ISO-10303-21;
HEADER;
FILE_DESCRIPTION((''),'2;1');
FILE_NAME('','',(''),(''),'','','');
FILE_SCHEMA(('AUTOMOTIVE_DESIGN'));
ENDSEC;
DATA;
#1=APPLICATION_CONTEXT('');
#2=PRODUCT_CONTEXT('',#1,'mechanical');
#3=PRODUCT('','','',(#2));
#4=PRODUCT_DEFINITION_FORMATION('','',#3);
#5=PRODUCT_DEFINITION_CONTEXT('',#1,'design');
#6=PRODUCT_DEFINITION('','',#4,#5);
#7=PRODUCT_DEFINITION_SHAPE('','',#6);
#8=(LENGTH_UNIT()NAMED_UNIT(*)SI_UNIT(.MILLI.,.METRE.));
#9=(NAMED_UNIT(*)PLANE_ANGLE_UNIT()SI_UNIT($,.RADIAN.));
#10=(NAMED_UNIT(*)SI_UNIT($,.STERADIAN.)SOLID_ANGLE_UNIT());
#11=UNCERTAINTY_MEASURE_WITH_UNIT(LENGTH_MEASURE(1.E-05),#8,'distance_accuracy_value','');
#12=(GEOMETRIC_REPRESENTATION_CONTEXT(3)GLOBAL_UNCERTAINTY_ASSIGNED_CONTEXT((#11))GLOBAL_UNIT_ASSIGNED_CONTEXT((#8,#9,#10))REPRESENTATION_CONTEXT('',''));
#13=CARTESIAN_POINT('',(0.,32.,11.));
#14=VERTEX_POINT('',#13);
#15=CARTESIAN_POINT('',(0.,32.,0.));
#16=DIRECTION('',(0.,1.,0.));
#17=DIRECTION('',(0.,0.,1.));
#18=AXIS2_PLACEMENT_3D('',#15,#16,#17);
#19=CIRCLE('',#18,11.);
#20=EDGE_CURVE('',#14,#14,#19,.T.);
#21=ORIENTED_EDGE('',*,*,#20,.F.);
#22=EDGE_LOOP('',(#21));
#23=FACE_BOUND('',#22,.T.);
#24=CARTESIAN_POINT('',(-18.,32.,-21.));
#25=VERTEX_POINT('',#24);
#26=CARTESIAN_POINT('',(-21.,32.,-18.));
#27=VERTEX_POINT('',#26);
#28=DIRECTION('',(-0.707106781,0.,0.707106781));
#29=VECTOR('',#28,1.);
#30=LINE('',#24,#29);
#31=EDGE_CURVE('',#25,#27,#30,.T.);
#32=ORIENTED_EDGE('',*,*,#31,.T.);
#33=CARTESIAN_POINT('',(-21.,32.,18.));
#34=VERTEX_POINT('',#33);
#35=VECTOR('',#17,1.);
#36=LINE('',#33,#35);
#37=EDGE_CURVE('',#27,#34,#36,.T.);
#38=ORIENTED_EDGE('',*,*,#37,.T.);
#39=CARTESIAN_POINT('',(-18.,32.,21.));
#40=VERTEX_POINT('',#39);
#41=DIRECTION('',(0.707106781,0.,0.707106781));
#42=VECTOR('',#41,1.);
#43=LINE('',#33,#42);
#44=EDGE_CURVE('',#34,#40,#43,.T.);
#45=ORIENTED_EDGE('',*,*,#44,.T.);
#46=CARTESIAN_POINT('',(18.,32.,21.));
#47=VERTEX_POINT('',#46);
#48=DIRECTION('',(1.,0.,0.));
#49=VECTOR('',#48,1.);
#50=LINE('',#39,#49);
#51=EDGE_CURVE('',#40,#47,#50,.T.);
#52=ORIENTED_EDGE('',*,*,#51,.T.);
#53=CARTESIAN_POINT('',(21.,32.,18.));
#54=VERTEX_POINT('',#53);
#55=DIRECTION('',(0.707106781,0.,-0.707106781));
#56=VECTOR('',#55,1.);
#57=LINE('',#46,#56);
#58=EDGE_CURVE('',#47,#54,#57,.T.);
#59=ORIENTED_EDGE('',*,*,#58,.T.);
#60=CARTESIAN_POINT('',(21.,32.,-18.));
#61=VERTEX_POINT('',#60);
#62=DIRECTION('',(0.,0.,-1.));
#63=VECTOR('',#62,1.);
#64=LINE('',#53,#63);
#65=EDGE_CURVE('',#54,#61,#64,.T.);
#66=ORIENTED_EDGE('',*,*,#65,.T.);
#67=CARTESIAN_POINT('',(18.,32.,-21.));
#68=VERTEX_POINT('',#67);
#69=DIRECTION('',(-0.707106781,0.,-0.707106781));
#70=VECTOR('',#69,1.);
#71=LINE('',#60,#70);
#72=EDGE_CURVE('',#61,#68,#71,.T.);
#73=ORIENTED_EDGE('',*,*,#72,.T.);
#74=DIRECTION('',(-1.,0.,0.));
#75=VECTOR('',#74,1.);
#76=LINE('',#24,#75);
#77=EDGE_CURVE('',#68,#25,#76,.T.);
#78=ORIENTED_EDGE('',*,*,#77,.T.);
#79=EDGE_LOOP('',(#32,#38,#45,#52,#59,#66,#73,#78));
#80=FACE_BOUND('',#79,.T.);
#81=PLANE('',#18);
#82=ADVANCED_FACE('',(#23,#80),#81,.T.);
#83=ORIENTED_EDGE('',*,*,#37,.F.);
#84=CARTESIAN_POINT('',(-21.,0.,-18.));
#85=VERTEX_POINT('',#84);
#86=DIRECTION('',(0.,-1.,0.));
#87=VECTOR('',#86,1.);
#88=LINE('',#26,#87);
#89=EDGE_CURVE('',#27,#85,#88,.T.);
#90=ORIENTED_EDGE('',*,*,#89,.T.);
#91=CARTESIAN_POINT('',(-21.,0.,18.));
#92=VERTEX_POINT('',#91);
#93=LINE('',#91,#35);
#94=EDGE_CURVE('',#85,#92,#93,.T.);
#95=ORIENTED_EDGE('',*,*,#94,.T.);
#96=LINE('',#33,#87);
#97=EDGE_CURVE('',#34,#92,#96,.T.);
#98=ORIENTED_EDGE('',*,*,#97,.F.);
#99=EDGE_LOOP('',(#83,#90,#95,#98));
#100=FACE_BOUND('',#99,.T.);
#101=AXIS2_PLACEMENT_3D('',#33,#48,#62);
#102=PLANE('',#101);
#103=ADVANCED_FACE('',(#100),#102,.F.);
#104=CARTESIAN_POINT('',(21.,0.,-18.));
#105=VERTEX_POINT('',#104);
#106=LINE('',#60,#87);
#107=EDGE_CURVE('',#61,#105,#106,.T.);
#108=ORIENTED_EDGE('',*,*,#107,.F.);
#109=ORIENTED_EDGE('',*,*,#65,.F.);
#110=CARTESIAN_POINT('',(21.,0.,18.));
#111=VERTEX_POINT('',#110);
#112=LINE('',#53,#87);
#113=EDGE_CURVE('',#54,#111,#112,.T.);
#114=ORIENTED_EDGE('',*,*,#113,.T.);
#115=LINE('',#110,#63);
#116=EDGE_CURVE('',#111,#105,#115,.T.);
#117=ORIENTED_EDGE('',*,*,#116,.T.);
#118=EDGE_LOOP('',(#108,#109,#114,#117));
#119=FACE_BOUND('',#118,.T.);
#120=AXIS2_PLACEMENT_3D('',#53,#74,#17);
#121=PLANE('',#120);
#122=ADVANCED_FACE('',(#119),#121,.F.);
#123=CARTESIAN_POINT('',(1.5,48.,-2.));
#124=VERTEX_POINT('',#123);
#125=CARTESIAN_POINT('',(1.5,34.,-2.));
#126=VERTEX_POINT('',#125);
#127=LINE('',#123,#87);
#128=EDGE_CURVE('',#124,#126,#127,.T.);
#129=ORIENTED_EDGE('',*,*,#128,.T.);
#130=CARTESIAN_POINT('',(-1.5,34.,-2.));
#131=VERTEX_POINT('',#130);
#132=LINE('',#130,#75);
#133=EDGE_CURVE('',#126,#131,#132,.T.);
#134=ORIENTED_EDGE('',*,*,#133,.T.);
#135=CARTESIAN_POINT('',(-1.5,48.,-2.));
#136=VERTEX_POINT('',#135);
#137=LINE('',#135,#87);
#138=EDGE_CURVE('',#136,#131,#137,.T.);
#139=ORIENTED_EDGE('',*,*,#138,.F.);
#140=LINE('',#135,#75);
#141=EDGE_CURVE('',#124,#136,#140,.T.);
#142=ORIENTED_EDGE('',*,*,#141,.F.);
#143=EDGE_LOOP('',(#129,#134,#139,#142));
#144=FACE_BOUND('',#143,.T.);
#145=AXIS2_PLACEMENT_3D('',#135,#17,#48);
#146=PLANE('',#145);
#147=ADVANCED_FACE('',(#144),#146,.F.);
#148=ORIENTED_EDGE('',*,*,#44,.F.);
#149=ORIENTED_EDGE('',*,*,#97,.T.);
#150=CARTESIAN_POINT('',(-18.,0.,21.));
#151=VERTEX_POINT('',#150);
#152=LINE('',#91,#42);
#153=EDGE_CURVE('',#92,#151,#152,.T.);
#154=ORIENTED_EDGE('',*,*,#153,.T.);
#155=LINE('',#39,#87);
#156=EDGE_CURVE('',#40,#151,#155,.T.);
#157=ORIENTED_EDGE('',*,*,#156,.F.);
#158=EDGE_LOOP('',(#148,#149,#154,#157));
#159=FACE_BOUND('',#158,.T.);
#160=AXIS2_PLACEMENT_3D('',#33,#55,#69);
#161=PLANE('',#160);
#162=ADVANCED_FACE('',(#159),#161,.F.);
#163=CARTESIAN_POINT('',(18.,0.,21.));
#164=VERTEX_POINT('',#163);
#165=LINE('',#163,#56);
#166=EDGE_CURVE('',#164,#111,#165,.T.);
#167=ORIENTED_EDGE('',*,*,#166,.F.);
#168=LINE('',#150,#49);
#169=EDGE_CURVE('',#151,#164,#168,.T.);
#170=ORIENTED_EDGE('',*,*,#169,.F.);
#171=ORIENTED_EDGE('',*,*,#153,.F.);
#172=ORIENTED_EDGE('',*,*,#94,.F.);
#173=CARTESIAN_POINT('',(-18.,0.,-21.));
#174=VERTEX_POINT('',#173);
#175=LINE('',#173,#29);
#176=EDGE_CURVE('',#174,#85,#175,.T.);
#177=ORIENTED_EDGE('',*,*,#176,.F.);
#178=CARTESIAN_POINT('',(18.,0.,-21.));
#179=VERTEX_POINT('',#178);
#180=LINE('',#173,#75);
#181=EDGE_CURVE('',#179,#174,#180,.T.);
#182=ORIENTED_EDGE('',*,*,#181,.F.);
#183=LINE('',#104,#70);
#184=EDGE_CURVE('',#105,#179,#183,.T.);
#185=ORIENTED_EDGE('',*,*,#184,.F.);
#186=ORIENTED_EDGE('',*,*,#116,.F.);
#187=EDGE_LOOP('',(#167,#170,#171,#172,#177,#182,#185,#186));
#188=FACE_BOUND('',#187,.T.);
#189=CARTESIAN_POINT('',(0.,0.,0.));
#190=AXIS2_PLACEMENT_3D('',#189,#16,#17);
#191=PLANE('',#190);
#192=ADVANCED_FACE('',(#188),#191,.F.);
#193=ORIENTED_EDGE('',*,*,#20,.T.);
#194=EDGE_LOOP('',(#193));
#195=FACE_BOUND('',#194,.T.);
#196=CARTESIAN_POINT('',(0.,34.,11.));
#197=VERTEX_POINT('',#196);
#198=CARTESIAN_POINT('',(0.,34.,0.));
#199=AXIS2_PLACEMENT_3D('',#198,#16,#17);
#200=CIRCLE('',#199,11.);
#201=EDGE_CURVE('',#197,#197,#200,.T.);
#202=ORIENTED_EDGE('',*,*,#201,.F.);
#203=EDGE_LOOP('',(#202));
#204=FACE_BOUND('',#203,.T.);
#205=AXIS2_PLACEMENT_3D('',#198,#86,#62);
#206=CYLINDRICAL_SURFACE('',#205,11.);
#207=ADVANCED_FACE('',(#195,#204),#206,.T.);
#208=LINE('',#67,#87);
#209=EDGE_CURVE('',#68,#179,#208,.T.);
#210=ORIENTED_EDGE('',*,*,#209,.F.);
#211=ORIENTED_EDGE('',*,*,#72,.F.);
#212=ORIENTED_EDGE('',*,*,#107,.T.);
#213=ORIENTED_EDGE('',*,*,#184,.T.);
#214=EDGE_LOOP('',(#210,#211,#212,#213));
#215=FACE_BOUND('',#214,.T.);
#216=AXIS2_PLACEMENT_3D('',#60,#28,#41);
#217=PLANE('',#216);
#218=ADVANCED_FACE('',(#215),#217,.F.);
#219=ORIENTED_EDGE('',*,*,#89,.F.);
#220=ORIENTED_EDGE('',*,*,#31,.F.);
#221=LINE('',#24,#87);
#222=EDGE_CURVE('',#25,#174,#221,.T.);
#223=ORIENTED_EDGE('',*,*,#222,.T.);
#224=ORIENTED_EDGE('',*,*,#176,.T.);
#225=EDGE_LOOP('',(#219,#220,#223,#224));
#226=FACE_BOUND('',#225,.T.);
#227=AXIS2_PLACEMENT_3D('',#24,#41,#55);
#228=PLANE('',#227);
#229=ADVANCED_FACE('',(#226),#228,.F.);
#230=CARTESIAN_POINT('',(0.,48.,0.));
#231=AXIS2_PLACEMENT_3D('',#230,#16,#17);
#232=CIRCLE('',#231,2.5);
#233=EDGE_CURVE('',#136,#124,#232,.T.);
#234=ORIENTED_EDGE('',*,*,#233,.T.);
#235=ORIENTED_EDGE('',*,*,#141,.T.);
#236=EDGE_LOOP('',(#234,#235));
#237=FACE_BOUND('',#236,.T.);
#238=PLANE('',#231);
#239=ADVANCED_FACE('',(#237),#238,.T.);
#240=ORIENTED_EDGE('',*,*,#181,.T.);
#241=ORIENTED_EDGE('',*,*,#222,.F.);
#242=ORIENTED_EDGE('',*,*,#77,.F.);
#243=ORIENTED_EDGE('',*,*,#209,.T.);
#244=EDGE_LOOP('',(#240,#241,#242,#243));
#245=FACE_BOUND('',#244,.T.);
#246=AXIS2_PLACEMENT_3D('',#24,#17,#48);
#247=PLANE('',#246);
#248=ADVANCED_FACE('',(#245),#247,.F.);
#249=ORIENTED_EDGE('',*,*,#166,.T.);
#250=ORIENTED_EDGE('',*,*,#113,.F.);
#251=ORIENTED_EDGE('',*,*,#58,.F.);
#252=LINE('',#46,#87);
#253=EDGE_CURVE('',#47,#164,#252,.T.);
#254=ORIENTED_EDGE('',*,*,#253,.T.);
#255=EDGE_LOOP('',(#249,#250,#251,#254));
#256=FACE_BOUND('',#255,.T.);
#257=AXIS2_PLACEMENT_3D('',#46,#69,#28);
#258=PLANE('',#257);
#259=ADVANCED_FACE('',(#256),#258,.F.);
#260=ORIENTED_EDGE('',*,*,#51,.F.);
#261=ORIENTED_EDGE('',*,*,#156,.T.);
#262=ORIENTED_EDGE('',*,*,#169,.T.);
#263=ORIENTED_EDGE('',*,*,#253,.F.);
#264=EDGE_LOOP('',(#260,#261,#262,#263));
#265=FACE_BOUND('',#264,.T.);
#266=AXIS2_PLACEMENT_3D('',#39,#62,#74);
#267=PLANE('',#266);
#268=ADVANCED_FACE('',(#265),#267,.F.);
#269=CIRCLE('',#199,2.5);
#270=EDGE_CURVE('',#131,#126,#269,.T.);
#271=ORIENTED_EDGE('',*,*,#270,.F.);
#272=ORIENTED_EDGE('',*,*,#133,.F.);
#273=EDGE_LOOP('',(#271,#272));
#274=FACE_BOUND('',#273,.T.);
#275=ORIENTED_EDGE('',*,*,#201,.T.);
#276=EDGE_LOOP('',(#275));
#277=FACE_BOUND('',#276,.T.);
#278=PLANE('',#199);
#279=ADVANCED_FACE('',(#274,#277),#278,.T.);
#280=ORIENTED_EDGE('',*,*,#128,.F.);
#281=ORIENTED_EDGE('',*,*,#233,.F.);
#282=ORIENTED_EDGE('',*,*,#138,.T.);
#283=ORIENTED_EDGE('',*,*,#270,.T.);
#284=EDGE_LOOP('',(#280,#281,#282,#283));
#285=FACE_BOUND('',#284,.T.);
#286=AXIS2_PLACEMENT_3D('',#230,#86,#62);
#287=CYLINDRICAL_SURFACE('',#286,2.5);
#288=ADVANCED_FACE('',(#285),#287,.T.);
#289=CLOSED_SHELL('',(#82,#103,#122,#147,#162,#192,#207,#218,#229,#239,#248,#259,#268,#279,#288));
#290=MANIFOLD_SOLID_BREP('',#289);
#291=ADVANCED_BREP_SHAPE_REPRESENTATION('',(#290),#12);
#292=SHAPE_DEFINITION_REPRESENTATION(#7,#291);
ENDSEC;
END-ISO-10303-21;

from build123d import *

# Parameters (mm, degrees)
BOSS_EXTRUDE1_DEPTH = 32
SKETCH2_R           = 11
BOSS_EXTRUDE2_DEPTH = 2
BOSS_EXTRUDE3_DEPTH = 14


with BuildPart() as part:
    # Sketch1 → Boss-Extrude1 (new body)
    with BuildSketch(Plane(origin=(0, 0, 0), x_dir=(1, 0, 0), z_dir=(0, 1, 0))):
        Polygon((-18, 21), (-21, 18), (-21, -18), (-18, -21), (18, -21), (21, -18), (21, 18), (18, 21), align=None)
    extrude(amount=BOSS_EXTRUDE1_DEPTH)

    # Sketch2 → Boss-Extrude2 (add)
    with BuildSketch(Plane(origin=(0, 32, 0), x_dir=(1, 0, 0), z_dir=(0, 1, 0))):
        with Locations(Location((0, 0, 0), (0, 0, 270))):
            Circle(SKETCH2_R)
    extrude(amount=BOSS_EXTRUDE2_DEPTH)

    # Sketch3 → Boss-Extrude3 (add)
    with BuildSketch(Plane(origin=(0, 34, 0), x_dir=(1, 0, 0), z_dir=(0, 1, 0))):
        with BuildLine():
            Line((-1.5, 2), (1.5, 2))
            ThreePointArc((1.5, 2), (0, -2.5), (-1.5, 2))
        make_face()
    extrude(amount=BOSS_EXTRUDE3_DEPTH)


solid = part.part
